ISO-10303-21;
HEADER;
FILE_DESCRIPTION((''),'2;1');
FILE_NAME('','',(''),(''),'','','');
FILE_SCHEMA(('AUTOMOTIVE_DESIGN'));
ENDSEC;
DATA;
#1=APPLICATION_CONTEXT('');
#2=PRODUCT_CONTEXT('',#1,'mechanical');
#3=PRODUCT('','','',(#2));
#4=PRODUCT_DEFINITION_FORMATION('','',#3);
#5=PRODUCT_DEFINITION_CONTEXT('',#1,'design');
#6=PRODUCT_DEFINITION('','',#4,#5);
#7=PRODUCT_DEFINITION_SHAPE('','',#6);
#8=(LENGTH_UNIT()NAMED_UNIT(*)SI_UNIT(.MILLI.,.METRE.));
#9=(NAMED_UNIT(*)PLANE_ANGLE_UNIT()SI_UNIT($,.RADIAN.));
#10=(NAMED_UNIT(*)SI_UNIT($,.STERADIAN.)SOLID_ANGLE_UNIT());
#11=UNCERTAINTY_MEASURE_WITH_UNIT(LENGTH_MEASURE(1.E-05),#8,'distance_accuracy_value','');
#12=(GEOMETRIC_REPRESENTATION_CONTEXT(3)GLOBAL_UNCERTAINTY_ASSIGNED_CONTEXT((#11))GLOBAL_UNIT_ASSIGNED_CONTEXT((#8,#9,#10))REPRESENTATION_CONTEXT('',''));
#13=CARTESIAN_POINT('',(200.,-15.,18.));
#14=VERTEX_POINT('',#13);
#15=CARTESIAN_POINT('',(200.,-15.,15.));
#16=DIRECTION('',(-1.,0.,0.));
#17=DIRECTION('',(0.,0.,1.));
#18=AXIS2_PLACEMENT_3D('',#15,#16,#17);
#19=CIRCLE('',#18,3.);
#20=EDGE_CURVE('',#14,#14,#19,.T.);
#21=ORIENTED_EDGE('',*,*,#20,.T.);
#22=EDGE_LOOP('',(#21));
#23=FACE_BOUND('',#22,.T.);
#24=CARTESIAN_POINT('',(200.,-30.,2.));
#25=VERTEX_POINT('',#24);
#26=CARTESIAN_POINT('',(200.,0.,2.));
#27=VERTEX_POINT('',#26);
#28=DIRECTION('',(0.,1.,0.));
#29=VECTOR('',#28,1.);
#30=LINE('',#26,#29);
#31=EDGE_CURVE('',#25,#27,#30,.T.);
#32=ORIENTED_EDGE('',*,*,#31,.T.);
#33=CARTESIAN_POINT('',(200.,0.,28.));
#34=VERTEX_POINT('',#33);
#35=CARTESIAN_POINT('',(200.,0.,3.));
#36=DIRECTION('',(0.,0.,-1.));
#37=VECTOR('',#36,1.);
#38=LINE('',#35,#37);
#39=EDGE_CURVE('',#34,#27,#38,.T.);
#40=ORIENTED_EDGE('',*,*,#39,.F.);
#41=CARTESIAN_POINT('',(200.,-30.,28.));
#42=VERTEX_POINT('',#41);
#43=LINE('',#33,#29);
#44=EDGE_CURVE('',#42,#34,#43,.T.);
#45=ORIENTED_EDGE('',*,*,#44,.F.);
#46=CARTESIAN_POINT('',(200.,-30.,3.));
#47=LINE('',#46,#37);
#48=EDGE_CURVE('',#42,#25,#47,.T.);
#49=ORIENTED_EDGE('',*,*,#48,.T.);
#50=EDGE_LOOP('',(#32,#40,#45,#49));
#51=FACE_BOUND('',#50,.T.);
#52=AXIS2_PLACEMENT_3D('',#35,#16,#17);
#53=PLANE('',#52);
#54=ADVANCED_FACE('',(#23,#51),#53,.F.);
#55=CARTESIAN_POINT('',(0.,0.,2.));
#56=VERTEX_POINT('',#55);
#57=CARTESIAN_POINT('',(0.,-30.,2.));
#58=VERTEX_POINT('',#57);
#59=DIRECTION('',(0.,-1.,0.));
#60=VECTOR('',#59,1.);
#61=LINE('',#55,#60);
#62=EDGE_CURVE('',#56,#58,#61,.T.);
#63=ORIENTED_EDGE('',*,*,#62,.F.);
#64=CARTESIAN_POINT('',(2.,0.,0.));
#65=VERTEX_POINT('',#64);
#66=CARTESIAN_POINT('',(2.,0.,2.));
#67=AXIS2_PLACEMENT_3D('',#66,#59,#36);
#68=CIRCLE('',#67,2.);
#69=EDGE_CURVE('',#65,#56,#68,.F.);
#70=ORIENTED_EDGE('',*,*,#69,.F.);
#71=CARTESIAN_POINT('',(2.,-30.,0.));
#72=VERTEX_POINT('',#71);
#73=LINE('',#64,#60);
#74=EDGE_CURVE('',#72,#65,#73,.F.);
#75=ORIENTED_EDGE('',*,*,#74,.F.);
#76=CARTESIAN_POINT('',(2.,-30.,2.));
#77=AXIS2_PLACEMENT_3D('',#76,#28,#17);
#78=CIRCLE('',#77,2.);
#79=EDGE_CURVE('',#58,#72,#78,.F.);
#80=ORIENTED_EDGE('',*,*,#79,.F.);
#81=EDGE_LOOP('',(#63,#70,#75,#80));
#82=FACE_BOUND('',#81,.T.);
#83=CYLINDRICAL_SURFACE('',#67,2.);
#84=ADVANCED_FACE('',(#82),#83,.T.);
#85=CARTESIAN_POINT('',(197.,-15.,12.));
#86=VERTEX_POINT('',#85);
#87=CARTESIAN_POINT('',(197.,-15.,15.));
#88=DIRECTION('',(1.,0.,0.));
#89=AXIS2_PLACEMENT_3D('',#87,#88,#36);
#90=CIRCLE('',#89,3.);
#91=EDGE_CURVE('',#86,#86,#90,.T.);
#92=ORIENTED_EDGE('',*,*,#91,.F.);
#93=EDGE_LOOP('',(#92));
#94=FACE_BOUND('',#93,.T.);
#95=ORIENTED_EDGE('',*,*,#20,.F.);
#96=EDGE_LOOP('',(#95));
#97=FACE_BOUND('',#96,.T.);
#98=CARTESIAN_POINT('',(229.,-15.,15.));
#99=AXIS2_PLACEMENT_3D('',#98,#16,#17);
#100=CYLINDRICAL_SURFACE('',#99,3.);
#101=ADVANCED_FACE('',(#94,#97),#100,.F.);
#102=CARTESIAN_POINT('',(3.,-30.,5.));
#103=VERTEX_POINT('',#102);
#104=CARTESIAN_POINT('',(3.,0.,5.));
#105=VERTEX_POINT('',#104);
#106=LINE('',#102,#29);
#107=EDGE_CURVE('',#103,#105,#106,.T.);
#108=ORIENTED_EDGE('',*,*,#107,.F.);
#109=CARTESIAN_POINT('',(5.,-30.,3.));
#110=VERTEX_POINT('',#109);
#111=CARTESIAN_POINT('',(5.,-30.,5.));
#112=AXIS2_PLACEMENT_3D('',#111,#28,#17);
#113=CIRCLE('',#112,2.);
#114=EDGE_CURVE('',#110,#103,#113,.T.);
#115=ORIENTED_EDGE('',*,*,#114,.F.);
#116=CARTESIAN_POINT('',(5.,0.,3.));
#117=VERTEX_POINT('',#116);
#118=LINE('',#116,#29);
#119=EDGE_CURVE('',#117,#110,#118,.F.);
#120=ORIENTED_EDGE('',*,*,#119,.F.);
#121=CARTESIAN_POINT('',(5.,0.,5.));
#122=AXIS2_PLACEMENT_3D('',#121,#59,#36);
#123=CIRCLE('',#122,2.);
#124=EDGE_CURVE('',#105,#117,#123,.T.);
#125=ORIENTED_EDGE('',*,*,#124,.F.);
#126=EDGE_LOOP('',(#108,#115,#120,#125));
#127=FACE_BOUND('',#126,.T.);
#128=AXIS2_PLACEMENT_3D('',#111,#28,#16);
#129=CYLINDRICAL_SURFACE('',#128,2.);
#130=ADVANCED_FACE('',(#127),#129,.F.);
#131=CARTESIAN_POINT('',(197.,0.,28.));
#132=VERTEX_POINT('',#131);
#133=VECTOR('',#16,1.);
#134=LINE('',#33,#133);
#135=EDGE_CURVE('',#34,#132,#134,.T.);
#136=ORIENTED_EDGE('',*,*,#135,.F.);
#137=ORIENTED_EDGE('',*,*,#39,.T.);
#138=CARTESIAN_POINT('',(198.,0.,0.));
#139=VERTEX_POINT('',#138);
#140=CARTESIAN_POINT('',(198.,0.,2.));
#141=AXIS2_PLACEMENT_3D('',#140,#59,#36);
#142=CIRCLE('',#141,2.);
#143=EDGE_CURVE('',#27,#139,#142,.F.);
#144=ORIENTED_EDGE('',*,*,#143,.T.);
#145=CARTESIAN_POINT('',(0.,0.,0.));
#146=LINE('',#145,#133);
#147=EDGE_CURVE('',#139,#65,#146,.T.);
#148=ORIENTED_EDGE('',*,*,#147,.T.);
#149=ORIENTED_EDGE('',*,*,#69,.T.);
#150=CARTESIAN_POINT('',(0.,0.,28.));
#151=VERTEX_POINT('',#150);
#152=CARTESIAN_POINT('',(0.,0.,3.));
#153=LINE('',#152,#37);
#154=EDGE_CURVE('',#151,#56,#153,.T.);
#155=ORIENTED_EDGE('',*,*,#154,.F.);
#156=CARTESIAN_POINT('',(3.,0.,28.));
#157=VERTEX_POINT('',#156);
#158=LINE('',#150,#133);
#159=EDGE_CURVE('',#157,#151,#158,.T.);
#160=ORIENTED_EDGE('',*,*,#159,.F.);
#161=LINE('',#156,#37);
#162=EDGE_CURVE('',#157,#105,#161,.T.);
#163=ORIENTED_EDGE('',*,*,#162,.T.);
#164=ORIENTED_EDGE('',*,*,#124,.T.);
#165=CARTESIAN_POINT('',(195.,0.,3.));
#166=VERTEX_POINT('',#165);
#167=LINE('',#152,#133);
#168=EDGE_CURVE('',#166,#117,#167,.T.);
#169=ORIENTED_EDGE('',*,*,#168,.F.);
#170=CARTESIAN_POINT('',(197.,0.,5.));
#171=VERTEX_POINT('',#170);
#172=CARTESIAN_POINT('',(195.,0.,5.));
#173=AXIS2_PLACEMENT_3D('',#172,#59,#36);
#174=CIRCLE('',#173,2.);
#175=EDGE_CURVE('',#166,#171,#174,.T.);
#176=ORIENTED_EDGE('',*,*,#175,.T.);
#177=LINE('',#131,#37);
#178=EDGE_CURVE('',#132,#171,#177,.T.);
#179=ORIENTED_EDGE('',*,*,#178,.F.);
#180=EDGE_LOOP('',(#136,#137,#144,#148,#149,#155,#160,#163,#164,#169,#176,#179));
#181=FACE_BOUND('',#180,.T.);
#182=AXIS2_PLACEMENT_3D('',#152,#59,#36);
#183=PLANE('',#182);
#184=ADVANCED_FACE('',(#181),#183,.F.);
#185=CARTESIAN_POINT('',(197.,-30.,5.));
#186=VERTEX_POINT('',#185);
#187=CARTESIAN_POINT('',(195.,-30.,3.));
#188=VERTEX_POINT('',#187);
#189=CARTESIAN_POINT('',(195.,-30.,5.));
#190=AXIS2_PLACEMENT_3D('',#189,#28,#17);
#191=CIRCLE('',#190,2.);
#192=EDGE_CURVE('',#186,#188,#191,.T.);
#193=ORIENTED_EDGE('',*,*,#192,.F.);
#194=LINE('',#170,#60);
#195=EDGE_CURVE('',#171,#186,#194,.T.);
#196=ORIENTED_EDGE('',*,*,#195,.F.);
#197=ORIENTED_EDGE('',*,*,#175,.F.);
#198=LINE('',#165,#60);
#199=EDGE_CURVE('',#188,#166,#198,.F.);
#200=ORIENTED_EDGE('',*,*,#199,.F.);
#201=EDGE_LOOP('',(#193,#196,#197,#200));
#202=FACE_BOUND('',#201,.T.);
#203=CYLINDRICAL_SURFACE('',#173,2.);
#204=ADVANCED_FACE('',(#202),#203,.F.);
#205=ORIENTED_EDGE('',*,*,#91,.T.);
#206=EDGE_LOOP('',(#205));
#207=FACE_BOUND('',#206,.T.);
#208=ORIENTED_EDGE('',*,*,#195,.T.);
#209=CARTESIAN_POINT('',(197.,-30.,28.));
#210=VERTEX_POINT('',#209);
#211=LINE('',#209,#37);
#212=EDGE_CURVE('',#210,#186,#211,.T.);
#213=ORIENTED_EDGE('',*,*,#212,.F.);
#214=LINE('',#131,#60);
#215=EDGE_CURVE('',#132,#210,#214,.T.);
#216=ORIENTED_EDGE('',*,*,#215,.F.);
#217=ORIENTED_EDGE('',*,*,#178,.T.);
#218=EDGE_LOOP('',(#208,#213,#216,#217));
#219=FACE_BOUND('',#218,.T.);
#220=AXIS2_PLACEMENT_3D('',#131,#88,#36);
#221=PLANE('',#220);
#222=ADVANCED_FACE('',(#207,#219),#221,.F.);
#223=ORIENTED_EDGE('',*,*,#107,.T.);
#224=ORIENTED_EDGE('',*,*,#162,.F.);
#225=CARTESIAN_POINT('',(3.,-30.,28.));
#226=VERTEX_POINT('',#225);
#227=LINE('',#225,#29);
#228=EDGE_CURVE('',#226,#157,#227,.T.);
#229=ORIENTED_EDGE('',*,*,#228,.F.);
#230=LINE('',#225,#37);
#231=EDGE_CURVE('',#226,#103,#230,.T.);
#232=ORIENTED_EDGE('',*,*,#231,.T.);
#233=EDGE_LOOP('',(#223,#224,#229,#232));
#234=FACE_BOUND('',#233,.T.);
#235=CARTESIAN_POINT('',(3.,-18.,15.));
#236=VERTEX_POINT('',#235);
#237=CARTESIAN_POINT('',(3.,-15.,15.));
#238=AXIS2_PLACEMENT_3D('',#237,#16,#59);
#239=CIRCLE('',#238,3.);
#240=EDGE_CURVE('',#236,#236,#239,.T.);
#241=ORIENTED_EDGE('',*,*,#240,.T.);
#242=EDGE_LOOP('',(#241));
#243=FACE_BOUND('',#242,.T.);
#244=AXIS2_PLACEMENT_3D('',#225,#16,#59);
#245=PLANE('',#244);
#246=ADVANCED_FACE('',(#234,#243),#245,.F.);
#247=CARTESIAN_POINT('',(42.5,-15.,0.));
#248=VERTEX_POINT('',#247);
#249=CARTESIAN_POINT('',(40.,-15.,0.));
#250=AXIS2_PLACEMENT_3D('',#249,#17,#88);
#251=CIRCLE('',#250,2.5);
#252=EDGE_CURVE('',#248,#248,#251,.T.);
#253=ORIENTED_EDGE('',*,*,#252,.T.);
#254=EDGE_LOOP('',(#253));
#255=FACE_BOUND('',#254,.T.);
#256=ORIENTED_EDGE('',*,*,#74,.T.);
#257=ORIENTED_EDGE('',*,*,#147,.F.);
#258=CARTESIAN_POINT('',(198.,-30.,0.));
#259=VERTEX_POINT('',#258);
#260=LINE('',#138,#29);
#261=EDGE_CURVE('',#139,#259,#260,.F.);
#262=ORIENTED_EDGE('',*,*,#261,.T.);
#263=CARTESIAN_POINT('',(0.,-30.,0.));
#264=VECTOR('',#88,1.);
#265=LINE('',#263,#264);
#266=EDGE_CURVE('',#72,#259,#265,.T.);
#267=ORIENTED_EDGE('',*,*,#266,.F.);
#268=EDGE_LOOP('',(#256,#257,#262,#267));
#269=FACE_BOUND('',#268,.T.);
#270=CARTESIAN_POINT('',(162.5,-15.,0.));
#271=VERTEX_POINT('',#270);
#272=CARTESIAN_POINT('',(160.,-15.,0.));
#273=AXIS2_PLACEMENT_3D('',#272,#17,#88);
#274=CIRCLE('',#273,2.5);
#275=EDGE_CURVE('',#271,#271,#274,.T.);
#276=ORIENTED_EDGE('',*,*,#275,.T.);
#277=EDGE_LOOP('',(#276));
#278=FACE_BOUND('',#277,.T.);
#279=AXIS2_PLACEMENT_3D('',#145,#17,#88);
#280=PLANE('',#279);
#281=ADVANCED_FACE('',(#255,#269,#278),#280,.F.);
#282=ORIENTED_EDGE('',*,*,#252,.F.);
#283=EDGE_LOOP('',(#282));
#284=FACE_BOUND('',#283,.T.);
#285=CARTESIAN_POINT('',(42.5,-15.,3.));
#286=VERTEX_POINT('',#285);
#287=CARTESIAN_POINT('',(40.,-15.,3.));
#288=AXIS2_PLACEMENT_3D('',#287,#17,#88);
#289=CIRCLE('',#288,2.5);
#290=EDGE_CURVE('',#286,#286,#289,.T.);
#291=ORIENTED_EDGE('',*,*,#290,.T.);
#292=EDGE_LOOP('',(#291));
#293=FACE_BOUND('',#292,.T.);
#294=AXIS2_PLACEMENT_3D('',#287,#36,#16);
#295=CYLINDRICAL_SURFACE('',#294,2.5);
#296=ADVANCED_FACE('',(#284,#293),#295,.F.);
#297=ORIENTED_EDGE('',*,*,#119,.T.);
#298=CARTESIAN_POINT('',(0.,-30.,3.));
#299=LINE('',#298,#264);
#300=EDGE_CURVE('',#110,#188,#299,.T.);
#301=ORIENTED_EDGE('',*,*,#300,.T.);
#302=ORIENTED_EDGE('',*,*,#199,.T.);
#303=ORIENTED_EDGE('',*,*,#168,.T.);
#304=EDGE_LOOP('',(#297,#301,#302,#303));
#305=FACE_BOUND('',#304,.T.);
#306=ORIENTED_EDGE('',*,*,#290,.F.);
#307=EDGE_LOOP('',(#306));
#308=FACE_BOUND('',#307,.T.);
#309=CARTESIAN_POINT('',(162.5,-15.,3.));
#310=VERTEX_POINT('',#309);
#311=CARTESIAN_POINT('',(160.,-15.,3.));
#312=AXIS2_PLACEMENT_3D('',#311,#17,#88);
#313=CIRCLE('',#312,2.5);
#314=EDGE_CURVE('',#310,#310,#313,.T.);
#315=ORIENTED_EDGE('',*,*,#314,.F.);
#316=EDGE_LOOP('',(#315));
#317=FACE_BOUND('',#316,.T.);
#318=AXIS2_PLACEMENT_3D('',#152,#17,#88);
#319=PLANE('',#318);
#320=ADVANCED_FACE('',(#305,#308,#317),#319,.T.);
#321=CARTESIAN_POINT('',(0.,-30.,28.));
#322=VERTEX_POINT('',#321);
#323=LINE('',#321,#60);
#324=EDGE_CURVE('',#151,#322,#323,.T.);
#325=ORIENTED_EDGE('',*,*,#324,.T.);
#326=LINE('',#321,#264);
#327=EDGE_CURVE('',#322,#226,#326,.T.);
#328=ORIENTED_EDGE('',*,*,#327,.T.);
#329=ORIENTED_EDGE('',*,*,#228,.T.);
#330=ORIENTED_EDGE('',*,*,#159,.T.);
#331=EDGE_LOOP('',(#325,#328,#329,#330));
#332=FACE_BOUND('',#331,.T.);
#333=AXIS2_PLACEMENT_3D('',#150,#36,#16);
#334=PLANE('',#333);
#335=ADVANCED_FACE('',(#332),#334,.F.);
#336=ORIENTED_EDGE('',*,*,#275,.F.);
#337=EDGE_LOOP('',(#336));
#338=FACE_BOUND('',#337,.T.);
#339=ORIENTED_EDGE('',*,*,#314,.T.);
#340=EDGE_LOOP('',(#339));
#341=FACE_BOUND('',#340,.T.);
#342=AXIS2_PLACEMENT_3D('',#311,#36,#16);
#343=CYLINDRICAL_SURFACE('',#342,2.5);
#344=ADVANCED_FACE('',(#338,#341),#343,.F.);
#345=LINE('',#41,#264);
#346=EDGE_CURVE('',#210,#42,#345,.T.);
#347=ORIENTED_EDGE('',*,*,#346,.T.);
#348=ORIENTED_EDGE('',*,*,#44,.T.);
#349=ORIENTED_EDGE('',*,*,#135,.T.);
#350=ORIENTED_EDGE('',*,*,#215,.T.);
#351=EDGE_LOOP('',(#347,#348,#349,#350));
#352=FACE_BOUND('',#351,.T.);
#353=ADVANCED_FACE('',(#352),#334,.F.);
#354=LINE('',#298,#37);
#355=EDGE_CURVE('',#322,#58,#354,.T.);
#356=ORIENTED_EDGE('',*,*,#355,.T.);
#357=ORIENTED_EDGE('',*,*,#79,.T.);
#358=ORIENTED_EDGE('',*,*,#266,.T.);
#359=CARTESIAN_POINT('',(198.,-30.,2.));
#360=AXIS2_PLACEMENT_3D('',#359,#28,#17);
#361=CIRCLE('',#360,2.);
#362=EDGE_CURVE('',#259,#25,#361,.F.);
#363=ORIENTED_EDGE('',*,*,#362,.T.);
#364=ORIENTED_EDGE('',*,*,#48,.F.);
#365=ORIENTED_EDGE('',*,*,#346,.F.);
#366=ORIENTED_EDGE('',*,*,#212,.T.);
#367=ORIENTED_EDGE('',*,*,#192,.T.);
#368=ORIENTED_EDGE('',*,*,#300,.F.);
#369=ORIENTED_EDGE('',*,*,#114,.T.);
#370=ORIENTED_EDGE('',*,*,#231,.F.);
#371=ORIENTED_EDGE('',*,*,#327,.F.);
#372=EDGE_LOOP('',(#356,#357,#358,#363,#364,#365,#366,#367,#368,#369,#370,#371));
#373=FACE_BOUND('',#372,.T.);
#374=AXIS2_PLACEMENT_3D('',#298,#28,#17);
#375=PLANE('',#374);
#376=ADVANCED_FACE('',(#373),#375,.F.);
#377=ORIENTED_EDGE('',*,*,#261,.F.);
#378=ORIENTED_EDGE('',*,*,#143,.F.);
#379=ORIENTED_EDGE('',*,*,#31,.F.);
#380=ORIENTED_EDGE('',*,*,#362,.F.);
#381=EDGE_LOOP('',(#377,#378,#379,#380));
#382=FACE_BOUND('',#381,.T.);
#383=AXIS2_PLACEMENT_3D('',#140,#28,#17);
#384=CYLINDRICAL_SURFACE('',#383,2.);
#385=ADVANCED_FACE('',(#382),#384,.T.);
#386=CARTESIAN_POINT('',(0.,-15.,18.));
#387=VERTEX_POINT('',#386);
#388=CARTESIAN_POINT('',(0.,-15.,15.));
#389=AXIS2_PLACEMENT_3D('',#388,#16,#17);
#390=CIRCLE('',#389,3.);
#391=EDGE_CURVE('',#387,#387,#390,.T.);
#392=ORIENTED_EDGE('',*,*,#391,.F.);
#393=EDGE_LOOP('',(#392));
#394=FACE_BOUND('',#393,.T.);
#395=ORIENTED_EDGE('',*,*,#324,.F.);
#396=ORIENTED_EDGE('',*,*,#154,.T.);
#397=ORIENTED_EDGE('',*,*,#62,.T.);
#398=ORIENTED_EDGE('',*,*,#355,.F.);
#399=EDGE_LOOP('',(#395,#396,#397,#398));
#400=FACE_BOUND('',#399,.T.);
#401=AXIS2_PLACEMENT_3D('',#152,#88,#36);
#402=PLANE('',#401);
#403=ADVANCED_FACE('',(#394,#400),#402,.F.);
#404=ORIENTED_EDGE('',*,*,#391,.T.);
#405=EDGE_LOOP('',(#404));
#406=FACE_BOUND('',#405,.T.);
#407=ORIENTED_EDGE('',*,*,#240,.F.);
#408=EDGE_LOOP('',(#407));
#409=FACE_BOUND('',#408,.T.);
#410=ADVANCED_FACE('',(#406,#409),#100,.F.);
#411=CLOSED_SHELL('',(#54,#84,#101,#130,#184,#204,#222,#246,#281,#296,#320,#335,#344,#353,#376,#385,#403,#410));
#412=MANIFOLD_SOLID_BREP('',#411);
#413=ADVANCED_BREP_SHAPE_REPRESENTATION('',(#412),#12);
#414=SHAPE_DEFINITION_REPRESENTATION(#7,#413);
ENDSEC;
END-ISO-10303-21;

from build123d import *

# Parameters (mm, degrees)
ESQUISSE1_W             = 200
ESQUISSE1_H             = 30
ESQUISSE1_R             = 2.5
BOSS_EXTRU_1_DEPTH      = 3
ESQUISSE2_W             = 3
ESQUISSE2_H             = 30
BOSS_EXTRU_2_DEPTH      = 25
ESQUISSE3_R             = 3
ENL_V_MAT_EXTRU_1_DEPTH = 229
CONG_1_R                = 2


with BuildPart() as part:
    # Esquisse1 → Boss.-Extru.1 (new body)
    with BuildSketch(Plane.XY):
        with Locations((100, -15)):
            Rectangle(ESQUISSE1_W, ESQUISSE1_H)
        with Locations((40, -15)):
            Circle(ESQUISSE1_R, mode=Mode.SUBTRACT)
        with Locations((160, -15)):
            Circle(ESQUISSE1_R, mode=Mode.SUBTRACT)
    extrude(amount=BOSS_EXTRU_1_DEPTH)

    # Esquisse2 → Boss.-Extru.2 (add)
    with BuildSketch(Plane.XY.offset(3)):
        with Locations((1.5, -15)):
            Rectangle(ESQUISSE2_W, ESQUISSE2_H)
        with Locations((198.5, -15)):
            Rectangle(ESQUISSE2_W, ESQUISSE2_H)
    extrude(amount=BOSS_EXTRU_2_DEPTH)

    # Esquisse3 → Enlèv. mat.-Extru.1 (cut)
    with BuildSketch(Plane.ZY):
        with Locations((15, -15)):
            Circle(ESQUISSE3_R)
    extrude(amount=-ENL_V_MAT_EXTRU_1_DEPTH, mode=Mode.SUBTRACT)

    # Congé1
    cong_1_edges = [part.edges().sort_by_distance(p)[0] for p in [
        (3, -15, 3),
        (197, -15, 3),
        (200, -15, 0),
        (0, -15, 0),
    ]]
    fillet(cong_1_edges, radius=CONG_1_R)


solid = part.part
